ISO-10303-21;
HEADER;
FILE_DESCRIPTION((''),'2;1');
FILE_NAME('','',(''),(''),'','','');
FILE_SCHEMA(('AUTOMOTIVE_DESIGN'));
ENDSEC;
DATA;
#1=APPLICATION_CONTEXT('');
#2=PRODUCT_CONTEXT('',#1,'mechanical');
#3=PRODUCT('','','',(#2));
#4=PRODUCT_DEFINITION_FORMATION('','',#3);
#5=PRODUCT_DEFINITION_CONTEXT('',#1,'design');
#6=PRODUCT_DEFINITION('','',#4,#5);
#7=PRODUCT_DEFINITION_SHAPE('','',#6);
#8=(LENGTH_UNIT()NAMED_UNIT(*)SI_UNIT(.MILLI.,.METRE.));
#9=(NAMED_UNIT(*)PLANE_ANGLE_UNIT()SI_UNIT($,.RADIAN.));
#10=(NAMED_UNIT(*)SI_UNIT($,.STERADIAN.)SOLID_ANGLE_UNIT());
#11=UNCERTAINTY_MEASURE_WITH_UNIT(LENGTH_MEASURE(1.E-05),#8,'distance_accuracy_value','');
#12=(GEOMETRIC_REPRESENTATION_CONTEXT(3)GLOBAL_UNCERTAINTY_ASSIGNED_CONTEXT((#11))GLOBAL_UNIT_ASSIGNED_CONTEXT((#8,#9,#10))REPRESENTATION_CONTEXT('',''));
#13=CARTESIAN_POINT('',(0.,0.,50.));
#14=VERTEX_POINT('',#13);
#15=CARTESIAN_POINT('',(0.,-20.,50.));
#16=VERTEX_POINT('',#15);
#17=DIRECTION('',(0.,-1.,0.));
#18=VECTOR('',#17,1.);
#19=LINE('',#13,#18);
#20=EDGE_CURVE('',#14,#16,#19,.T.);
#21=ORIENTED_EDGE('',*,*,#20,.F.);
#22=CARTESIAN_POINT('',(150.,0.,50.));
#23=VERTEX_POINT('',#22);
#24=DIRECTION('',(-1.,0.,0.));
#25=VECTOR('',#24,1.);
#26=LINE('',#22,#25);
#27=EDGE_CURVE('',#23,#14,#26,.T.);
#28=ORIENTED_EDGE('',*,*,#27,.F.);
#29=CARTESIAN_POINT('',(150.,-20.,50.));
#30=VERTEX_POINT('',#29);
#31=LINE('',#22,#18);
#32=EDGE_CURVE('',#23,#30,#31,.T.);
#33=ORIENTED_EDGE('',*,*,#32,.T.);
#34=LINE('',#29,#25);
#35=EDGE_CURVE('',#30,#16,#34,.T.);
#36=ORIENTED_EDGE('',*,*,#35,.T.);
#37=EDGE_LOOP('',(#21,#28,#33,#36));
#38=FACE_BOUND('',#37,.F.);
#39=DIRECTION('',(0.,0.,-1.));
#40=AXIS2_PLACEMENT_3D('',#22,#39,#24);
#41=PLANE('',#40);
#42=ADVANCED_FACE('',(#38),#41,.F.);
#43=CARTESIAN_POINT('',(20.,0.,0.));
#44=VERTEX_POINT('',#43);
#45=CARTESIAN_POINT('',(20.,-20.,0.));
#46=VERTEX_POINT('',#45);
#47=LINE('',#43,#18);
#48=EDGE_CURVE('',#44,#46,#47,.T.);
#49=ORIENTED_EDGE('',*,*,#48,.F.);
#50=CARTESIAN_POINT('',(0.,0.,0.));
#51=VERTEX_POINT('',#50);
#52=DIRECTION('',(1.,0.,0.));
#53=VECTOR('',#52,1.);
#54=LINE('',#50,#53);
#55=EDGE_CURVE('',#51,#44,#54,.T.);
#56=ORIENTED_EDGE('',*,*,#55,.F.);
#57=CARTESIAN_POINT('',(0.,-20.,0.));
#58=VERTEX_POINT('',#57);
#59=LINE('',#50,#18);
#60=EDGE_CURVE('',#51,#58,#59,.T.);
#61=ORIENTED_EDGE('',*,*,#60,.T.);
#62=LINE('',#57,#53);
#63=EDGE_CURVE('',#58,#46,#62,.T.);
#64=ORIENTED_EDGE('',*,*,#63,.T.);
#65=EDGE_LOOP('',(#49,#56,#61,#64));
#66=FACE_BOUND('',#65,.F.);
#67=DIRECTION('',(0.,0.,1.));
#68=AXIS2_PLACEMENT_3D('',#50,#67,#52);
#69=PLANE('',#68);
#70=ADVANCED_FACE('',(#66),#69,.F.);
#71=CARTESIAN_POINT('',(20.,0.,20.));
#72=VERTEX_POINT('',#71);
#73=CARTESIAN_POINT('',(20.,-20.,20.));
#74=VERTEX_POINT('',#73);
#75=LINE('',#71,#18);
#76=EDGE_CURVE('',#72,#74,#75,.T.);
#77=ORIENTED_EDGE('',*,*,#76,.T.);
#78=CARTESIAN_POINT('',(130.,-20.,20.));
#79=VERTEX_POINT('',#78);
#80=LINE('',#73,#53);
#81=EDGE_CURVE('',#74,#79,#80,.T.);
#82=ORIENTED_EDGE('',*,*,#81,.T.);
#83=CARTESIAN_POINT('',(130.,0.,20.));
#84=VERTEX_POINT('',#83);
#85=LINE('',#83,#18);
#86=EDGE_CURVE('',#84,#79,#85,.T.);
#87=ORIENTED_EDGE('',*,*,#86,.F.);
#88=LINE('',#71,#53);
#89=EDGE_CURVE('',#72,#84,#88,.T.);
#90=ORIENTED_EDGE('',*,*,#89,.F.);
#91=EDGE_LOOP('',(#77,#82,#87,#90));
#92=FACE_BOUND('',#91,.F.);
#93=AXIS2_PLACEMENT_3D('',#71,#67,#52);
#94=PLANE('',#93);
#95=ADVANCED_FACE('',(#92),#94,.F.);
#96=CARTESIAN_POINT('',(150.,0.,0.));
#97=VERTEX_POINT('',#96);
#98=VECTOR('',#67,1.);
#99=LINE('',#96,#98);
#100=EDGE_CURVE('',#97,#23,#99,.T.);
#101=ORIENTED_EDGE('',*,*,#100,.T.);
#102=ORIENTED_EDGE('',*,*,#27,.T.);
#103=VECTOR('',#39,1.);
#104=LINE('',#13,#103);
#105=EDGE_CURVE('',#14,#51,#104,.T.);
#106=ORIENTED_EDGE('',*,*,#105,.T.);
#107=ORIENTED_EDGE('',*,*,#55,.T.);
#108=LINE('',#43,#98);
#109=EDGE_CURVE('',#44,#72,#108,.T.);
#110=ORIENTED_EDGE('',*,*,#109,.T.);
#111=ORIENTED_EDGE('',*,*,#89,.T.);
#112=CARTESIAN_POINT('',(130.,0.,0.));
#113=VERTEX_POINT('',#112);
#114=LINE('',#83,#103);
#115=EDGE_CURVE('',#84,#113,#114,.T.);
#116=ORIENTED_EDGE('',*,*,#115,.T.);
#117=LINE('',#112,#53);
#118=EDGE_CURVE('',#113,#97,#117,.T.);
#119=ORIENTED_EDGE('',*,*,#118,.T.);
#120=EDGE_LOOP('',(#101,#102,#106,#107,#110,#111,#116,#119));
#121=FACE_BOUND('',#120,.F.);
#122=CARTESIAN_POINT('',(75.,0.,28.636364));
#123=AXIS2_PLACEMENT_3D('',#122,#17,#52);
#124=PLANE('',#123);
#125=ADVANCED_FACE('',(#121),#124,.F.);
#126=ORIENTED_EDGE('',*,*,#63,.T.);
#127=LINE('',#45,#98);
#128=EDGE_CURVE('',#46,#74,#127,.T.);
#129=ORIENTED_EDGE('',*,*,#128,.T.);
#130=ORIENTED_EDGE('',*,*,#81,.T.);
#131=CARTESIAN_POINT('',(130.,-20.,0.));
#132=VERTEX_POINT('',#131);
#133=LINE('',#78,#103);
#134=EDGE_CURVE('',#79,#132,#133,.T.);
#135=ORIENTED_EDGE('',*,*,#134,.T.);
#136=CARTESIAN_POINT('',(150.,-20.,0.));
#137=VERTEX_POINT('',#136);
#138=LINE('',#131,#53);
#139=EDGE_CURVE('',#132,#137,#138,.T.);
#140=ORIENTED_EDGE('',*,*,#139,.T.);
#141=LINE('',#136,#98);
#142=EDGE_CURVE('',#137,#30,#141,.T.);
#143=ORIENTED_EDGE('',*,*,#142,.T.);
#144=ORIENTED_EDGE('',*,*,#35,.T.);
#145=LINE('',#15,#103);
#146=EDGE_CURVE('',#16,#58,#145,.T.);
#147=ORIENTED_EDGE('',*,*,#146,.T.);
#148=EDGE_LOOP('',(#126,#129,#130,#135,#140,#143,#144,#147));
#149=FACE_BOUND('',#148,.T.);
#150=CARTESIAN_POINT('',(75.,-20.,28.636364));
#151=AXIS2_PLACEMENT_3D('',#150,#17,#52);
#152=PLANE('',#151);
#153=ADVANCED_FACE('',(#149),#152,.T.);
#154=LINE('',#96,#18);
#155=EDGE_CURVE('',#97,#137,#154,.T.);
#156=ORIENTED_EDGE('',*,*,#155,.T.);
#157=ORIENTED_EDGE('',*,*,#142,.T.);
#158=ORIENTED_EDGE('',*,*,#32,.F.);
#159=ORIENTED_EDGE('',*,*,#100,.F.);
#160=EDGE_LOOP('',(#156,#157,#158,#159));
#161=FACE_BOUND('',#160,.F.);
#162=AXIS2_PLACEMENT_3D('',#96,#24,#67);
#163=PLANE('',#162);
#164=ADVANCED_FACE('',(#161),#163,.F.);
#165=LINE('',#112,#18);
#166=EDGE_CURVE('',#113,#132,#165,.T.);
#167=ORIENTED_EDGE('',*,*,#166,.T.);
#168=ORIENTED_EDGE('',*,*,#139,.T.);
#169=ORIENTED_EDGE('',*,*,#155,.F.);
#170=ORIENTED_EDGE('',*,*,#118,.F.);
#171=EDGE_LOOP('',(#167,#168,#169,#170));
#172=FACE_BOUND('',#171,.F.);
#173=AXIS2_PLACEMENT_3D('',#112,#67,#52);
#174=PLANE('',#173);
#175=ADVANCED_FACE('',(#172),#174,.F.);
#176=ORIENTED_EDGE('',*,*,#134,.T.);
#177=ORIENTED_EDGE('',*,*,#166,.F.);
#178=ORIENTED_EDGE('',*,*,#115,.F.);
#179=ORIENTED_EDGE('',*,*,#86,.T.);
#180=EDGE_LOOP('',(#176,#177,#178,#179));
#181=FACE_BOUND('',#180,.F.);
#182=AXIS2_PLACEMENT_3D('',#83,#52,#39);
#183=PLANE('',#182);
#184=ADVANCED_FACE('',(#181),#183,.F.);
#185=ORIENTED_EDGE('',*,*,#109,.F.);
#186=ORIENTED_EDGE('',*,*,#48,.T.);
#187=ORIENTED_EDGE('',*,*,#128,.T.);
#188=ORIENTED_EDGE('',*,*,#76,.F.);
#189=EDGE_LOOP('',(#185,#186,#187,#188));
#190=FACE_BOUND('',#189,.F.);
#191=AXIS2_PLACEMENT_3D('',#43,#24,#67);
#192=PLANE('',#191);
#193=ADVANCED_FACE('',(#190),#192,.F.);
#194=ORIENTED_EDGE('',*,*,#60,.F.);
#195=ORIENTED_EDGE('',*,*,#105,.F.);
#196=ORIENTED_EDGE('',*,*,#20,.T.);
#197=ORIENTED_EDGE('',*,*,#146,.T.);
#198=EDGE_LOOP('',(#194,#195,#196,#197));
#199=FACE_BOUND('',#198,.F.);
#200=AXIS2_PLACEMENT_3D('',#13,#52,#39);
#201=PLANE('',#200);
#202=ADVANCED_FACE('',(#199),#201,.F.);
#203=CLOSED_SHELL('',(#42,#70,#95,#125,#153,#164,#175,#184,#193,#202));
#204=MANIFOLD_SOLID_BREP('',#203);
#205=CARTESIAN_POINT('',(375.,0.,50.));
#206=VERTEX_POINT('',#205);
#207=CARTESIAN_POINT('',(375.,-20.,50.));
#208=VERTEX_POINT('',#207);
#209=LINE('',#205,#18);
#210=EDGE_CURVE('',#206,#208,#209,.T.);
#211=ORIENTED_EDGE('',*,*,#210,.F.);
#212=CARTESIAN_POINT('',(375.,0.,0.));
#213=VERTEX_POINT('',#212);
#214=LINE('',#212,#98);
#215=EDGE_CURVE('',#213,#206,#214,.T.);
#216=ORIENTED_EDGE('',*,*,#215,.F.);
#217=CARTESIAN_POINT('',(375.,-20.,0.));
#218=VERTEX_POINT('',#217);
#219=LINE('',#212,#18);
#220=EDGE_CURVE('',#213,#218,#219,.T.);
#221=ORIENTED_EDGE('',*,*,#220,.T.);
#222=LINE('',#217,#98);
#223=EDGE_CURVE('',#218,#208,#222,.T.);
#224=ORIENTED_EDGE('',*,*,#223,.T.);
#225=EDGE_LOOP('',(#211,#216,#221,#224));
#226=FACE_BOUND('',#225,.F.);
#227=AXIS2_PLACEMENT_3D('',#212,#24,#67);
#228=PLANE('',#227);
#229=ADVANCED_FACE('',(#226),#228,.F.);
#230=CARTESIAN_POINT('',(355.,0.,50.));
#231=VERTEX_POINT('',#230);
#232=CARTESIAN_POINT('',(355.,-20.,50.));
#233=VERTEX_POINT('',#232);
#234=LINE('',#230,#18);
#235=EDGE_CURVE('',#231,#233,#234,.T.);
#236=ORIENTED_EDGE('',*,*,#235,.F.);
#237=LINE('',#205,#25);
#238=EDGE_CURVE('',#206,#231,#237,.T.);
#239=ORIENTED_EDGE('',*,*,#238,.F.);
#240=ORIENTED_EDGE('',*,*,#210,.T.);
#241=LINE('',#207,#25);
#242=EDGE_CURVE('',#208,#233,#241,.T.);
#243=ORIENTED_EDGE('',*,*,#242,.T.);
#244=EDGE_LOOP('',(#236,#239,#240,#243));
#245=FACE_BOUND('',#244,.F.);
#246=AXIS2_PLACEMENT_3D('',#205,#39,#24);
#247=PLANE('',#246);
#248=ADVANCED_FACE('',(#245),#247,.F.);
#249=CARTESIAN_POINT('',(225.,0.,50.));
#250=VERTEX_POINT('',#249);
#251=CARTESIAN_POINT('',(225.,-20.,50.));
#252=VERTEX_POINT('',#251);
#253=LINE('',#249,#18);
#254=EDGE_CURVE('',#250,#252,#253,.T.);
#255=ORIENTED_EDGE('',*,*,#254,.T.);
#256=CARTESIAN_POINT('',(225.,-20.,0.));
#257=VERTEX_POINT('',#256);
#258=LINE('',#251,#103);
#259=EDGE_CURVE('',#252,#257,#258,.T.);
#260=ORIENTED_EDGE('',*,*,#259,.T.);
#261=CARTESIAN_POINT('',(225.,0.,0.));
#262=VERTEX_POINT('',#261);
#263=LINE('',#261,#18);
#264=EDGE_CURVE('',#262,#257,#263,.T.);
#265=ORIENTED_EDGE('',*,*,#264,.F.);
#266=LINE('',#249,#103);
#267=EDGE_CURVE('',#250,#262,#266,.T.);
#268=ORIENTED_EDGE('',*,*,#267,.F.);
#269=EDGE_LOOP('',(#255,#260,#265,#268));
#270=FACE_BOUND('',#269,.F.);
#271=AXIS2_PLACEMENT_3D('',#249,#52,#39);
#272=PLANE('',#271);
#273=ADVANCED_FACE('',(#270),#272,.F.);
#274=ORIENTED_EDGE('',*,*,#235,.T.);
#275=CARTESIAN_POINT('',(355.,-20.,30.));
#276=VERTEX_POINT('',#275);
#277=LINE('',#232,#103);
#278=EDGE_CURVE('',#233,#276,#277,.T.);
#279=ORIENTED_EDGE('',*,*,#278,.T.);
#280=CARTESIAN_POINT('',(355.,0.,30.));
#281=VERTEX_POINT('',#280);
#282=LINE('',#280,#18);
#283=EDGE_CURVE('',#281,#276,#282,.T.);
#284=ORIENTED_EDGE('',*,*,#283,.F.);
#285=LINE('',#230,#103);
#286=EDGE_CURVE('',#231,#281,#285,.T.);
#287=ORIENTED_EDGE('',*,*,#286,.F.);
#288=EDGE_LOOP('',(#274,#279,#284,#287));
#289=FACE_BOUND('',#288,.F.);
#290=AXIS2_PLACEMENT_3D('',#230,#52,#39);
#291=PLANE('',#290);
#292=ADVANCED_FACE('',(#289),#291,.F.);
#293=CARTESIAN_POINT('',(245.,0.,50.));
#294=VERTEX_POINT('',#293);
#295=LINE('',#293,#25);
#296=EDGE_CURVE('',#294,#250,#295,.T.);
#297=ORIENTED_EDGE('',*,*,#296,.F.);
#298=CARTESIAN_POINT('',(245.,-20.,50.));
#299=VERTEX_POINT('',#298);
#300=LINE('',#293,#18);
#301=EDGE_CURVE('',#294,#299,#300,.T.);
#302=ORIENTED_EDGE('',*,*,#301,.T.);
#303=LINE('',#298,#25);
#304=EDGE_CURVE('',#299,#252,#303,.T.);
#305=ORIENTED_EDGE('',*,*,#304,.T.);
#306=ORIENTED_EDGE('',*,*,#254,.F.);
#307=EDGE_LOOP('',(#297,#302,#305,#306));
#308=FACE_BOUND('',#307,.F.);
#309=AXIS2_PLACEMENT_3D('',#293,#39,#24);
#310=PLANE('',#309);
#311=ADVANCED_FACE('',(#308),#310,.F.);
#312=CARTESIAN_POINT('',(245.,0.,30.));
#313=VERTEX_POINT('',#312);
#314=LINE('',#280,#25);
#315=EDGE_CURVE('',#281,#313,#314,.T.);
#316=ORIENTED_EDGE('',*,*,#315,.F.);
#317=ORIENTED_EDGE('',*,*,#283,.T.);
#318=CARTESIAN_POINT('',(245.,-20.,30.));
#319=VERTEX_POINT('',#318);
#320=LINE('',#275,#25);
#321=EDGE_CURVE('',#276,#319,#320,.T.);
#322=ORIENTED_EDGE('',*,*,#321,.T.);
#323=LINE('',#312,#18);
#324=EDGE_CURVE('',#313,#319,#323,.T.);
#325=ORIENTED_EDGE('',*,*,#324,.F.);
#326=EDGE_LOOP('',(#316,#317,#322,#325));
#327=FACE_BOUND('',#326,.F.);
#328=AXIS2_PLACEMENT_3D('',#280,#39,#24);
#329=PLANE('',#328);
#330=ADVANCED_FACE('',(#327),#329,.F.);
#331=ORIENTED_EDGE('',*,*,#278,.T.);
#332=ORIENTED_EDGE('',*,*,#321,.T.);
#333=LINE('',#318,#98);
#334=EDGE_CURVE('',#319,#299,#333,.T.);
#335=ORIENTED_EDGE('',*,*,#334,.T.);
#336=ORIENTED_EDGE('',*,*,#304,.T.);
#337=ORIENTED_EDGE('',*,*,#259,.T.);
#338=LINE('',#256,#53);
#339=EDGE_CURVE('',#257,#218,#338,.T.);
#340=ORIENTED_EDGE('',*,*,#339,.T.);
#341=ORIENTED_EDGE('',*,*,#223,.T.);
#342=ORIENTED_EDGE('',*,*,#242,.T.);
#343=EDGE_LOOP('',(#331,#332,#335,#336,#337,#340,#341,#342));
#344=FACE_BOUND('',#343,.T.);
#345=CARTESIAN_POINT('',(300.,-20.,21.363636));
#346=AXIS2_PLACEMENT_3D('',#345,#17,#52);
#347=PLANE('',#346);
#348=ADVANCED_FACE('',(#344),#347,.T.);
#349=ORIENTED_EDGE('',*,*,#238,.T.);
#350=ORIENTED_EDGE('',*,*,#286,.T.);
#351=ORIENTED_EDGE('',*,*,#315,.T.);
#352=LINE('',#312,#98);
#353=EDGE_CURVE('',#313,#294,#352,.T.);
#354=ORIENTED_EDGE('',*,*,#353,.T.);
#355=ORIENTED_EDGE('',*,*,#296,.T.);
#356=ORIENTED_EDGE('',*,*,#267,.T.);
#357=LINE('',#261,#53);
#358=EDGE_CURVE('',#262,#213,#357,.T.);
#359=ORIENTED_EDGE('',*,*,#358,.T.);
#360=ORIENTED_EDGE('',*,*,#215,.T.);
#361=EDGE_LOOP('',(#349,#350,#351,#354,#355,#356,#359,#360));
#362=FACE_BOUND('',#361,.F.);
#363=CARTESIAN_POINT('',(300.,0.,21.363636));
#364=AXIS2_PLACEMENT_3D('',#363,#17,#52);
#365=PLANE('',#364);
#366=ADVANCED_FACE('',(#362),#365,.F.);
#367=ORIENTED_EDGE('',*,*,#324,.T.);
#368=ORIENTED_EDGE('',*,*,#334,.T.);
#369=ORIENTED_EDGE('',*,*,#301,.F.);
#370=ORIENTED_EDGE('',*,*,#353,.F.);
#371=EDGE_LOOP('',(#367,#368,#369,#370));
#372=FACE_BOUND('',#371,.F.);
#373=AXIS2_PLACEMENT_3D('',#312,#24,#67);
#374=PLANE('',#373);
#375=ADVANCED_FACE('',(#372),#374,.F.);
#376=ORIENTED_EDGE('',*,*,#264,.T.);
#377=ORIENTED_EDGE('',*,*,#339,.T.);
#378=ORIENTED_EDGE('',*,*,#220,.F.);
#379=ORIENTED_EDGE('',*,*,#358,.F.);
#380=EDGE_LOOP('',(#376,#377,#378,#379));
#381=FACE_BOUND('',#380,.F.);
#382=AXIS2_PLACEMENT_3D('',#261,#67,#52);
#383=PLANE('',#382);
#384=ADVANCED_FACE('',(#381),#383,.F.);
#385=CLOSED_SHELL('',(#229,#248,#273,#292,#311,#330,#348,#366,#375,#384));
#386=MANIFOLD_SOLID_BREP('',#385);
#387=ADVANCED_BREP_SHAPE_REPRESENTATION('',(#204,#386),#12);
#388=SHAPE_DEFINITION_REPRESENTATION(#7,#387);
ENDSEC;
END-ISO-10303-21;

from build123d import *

# Parameters (mm, degrees)
PAD_DEPTH = 20


with BuildPart() as part:
    # Sketch → Pad (new body)
    with BuildSketch(Plane.XZ):
        Polygon((0, 50), (0, 0), (20, 0), (20, 20), (130, 20), (130, 0), (150, 0), (150, 50), align=None)
        Polygon((225, 50), (225, 0), (375, 0), (375, 50), (355, 50), (355, 30), (245, 30), (245, 50), align=None)
    extrude(amount=PAD_DEPTH)


solid = part.part
